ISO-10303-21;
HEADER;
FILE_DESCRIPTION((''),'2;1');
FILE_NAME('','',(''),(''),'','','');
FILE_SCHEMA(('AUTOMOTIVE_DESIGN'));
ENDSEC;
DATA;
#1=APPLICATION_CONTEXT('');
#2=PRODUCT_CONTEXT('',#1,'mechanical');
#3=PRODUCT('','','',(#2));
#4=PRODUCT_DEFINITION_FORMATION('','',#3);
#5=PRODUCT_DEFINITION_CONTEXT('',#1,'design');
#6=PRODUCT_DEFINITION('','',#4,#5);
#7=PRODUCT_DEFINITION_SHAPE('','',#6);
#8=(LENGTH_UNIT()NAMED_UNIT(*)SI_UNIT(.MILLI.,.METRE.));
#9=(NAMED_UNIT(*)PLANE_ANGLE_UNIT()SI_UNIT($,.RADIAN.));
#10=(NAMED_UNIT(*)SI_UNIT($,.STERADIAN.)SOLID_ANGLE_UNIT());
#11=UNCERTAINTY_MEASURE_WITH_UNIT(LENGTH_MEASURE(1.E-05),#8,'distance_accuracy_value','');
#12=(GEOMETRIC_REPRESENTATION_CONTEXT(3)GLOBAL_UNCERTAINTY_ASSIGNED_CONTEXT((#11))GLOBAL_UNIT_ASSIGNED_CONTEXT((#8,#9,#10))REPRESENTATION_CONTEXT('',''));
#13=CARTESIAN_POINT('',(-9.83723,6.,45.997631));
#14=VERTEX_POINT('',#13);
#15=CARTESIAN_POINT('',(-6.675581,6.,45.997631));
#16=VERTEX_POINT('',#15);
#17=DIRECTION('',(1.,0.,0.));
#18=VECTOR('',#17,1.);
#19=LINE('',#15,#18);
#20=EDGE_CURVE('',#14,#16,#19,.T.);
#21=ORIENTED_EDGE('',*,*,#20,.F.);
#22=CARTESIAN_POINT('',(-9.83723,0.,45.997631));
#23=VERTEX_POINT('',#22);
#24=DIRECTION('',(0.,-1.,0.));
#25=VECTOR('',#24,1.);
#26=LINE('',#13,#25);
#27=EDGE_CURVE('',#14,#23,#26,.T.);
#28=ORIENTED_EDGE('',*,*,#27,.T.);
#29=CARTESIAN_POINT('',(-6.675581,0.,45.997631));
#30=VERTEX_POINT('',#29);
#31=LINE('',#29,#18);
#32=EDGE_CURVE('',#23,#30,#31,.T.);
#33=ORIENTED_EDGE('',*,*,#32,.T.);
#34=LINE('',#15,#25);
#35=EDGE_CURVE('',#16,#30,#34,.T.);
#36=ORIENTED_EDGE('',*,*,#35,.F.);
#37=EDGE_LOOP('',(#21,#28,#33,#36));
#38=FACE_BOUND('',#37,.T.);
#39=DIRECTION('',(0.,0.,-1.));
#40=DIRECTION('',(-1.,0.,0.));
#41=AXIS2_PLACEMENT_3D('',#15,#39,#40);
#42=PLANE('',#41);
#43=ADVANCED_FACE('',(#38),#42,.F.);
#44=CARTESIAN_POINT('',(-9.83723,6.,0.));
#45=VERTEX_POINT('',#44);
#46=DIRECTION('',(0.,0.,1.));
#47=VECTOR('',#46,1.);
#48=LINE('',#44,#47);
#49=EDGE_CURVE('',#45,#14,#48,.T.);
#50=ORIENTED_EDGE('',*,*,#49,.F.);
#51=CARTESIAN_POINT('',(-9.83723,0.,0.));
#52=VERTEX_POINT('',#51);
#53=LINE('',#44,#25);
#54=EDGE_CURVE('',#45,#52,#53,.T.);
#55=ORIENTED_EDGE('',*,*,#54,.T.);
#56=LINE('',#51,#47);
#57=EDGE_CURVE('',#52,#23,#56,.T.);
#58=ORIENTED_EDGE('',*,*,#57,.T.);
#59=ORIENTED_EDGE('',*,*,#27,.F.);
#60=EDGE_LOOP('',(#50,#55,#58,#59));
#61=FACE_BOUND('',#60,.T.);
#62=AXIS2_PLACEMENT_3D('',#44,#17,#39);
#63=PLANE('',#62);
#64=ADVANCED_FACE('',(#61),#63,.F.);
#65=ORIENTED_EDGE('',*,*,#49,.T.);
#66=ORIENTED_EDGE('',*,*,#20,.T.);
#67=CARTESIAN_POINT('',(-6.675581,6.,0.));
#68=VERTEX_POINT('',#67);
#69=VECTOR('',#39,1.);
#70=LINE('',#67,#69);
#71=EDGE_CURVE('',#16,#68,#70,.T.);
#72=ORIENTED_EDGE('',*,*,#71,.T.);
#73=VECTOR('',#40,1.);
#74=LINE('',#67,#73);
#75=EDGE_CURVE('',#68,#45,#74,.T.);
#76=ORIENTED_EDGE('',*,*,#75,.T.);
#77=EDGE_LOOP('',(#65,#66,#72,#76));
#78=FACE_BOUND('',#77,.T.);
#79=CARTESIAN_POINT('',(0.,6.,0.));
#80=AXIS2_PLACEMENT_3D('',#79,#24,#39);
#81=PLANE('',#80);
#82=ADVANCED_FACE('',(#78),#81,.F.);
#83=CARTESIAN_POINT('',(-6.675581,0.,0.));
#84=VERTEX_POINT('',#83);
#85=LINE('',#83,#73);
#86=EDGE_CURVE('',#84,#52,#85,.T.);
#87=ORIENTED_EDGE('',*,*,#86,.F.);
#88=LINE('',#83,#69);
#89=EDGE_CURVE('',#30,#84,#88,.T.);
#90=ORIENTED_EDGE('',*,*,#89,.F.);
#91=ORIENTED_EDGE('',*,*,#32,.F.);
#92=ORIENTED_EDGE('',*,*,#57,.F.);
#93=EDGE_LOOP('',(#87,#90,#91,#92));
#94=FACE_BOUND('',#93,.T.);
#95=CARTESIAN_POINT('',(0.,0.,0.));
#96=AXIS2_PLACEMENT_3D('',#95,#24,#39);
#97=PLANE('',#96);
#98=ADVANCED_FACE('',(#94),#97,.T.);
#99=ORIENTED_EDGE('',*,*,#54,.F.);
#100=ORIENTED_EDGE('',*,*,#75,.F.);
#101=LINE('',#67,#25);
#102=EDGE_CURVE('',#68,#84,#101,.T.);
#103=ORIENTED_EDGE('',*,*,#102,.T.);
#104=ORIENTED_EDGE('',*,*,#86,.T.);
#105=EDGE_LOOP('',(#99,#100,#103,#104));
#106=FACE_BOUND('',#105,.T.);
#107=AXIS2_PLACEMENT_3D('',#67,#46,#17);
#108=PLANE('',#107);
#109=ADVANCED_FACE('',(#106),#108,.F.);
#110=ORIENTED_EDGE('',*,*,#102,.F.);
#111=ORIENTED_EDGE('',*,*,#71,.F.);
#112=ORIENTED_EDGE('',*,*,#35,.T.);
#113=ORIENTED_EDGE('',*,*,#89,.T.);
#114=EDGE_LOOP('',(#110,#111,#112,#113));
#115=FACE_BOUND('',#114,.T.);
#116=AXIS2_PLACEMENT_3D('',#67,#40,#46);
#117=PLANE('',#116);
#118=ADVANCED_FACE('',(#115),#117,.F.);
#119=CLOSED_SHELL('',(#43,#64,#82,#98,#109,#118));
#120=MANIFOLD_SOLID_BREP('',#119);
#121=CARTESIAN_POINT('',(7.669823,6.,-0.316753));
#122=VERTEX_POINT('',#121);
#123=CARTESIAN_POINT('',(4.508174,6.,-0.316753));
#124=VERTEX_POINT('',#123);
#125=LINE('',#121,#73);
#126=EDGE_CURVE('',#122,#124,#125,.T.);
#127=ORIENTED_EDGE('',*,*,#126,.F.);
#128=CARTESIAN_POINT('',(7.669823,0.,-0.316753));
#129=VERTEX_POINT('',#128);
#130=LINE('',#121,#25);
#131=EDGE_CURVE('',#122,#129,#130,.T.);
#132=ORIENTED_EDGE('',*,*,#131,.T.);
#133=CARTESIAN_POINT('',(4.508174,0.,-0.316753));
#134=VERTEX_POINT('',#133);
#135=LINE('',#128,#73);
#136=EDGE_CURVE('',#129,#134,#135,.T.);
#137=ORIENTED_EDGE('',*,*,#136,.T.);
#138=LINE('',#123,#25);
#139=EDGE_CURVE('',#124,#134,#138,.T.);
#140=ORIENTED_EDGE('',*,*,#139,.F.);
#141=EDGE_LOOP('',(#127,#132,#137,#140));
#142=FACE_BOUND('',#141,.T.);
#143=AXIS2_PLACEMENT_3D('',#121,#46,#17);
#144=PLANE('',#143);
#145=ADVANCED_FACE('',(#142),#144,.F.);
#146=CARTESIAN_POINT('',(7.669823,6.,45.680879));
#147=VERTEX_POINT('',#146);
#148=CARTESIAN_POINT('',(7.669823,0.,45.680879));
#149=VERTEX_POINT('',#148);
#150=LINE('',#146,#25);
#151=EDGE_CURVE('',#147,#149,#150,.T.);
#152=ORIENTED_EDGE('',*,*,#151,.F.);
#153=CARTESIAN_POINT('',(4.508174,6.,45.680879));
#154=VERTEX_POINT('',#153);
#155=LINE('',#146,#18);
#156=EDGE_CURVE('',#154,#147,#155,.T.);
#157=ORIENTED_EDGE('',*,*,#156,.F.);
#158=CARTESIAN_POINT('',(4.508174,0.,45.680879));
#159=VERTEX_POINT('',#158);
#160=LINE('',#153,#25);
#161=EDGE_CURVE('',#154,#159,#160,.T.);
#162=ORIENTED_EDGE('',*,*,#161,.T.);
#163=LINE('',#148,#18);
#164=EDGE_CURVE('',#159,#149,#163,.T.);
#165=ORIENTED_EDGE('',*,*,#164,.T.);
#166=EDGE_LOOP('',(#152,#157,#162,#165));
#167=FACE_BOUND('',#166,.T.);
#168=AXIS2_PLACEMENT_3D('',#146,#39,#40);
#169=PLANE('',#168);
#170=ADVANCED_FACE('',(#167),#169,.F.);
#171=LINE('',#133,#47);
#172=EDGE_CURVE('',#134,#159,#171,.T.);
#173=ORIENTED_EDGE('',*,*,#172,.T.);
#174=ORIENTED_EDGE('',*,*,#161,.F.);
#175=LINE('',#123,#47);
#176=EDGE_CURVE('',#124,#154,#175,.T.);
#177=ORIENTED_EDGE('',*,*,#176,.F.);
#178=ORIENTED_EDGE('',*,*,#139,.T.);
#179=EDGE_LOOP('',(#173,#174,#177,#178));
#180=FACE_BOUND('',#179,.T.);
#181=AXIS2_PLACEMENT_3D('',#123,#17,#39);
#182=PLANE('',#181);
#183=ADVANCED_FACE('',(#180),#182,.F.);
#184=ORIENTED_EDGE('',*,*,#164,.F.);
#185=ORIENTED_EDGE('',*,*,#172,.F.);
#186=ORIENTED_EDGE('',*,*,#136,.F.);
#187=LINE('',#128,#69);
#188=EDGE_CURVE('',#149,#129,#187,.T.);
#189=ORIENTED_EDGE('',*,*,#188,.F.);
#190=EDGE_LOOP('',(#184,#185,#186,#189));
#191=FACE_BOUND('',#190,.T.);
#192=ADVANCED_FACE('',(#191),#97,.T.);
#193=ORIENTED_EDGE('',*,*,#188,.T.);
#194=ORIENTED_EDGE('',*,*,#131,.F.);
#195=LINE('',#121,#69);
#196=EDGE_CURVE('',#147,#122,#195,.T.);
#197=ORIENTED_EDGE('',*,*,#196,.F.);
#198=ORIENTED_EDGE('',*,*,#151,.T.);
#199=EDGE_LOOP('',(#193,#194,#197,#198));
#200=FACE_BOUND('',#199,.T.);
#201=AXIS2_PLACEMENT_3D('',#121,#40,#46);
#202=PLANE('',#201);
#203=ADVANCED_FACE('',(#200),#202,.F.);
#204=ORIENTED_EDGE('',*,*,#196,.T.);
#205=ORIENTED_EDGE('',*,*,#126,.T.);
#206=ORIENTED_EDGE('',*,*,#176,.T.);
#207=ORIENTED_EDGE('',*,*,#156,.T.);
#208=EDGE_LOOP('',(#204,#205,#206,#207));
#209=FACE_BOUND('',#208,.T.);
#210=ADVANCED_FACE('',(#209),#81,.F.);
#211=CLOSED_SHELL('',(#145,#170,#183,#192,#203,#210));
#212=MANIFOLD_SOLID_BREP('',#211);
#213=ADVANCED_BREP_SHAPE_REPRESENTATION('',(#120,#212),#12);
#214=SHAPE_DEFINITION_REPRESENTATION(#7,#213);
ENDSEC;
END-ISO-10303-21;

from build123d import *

# Parameters (mm, degrees)
SKETCH_1_W        = 3.161649006
SKETCH_1_H        = 45.997631422
EXTRUDE_2_DEPTH   = 6
EXTRUDE_2_2_DEPTH = 6


with BuildPart() as part:
    # Эскиз1 → Бобышка-Вытянуть2 (new body)
    with BuildSketch(Plane(origin=(0, 0, 0), x_dir=(1, 0, 0), z_dir=(0, 1, 0))):
        with Locations((6.088998872, -22.682063178)):
            Rectangle(SKETCH_1_W, SKETCH_1_H)
    extrude(amount=EXTRUDE_2_DEPTH)


with BuildPart() as body_2:
    # Эскиз1 → Extrude 2 2 (new body)
    with BuildSketch(Plane(origin=(0, 0, 0), x_dir=(1, 0, 0), z_dir=(0, 1, 0))):
        with Locations((-8.256405309, -22.998815711)):
            Rectangle(SKETCH_1_W, SKETCH_1_H)
    extrude(amount=EXTRUDE_2_2_DEPTH)


solid = Compound([part.part, body_2.part])
